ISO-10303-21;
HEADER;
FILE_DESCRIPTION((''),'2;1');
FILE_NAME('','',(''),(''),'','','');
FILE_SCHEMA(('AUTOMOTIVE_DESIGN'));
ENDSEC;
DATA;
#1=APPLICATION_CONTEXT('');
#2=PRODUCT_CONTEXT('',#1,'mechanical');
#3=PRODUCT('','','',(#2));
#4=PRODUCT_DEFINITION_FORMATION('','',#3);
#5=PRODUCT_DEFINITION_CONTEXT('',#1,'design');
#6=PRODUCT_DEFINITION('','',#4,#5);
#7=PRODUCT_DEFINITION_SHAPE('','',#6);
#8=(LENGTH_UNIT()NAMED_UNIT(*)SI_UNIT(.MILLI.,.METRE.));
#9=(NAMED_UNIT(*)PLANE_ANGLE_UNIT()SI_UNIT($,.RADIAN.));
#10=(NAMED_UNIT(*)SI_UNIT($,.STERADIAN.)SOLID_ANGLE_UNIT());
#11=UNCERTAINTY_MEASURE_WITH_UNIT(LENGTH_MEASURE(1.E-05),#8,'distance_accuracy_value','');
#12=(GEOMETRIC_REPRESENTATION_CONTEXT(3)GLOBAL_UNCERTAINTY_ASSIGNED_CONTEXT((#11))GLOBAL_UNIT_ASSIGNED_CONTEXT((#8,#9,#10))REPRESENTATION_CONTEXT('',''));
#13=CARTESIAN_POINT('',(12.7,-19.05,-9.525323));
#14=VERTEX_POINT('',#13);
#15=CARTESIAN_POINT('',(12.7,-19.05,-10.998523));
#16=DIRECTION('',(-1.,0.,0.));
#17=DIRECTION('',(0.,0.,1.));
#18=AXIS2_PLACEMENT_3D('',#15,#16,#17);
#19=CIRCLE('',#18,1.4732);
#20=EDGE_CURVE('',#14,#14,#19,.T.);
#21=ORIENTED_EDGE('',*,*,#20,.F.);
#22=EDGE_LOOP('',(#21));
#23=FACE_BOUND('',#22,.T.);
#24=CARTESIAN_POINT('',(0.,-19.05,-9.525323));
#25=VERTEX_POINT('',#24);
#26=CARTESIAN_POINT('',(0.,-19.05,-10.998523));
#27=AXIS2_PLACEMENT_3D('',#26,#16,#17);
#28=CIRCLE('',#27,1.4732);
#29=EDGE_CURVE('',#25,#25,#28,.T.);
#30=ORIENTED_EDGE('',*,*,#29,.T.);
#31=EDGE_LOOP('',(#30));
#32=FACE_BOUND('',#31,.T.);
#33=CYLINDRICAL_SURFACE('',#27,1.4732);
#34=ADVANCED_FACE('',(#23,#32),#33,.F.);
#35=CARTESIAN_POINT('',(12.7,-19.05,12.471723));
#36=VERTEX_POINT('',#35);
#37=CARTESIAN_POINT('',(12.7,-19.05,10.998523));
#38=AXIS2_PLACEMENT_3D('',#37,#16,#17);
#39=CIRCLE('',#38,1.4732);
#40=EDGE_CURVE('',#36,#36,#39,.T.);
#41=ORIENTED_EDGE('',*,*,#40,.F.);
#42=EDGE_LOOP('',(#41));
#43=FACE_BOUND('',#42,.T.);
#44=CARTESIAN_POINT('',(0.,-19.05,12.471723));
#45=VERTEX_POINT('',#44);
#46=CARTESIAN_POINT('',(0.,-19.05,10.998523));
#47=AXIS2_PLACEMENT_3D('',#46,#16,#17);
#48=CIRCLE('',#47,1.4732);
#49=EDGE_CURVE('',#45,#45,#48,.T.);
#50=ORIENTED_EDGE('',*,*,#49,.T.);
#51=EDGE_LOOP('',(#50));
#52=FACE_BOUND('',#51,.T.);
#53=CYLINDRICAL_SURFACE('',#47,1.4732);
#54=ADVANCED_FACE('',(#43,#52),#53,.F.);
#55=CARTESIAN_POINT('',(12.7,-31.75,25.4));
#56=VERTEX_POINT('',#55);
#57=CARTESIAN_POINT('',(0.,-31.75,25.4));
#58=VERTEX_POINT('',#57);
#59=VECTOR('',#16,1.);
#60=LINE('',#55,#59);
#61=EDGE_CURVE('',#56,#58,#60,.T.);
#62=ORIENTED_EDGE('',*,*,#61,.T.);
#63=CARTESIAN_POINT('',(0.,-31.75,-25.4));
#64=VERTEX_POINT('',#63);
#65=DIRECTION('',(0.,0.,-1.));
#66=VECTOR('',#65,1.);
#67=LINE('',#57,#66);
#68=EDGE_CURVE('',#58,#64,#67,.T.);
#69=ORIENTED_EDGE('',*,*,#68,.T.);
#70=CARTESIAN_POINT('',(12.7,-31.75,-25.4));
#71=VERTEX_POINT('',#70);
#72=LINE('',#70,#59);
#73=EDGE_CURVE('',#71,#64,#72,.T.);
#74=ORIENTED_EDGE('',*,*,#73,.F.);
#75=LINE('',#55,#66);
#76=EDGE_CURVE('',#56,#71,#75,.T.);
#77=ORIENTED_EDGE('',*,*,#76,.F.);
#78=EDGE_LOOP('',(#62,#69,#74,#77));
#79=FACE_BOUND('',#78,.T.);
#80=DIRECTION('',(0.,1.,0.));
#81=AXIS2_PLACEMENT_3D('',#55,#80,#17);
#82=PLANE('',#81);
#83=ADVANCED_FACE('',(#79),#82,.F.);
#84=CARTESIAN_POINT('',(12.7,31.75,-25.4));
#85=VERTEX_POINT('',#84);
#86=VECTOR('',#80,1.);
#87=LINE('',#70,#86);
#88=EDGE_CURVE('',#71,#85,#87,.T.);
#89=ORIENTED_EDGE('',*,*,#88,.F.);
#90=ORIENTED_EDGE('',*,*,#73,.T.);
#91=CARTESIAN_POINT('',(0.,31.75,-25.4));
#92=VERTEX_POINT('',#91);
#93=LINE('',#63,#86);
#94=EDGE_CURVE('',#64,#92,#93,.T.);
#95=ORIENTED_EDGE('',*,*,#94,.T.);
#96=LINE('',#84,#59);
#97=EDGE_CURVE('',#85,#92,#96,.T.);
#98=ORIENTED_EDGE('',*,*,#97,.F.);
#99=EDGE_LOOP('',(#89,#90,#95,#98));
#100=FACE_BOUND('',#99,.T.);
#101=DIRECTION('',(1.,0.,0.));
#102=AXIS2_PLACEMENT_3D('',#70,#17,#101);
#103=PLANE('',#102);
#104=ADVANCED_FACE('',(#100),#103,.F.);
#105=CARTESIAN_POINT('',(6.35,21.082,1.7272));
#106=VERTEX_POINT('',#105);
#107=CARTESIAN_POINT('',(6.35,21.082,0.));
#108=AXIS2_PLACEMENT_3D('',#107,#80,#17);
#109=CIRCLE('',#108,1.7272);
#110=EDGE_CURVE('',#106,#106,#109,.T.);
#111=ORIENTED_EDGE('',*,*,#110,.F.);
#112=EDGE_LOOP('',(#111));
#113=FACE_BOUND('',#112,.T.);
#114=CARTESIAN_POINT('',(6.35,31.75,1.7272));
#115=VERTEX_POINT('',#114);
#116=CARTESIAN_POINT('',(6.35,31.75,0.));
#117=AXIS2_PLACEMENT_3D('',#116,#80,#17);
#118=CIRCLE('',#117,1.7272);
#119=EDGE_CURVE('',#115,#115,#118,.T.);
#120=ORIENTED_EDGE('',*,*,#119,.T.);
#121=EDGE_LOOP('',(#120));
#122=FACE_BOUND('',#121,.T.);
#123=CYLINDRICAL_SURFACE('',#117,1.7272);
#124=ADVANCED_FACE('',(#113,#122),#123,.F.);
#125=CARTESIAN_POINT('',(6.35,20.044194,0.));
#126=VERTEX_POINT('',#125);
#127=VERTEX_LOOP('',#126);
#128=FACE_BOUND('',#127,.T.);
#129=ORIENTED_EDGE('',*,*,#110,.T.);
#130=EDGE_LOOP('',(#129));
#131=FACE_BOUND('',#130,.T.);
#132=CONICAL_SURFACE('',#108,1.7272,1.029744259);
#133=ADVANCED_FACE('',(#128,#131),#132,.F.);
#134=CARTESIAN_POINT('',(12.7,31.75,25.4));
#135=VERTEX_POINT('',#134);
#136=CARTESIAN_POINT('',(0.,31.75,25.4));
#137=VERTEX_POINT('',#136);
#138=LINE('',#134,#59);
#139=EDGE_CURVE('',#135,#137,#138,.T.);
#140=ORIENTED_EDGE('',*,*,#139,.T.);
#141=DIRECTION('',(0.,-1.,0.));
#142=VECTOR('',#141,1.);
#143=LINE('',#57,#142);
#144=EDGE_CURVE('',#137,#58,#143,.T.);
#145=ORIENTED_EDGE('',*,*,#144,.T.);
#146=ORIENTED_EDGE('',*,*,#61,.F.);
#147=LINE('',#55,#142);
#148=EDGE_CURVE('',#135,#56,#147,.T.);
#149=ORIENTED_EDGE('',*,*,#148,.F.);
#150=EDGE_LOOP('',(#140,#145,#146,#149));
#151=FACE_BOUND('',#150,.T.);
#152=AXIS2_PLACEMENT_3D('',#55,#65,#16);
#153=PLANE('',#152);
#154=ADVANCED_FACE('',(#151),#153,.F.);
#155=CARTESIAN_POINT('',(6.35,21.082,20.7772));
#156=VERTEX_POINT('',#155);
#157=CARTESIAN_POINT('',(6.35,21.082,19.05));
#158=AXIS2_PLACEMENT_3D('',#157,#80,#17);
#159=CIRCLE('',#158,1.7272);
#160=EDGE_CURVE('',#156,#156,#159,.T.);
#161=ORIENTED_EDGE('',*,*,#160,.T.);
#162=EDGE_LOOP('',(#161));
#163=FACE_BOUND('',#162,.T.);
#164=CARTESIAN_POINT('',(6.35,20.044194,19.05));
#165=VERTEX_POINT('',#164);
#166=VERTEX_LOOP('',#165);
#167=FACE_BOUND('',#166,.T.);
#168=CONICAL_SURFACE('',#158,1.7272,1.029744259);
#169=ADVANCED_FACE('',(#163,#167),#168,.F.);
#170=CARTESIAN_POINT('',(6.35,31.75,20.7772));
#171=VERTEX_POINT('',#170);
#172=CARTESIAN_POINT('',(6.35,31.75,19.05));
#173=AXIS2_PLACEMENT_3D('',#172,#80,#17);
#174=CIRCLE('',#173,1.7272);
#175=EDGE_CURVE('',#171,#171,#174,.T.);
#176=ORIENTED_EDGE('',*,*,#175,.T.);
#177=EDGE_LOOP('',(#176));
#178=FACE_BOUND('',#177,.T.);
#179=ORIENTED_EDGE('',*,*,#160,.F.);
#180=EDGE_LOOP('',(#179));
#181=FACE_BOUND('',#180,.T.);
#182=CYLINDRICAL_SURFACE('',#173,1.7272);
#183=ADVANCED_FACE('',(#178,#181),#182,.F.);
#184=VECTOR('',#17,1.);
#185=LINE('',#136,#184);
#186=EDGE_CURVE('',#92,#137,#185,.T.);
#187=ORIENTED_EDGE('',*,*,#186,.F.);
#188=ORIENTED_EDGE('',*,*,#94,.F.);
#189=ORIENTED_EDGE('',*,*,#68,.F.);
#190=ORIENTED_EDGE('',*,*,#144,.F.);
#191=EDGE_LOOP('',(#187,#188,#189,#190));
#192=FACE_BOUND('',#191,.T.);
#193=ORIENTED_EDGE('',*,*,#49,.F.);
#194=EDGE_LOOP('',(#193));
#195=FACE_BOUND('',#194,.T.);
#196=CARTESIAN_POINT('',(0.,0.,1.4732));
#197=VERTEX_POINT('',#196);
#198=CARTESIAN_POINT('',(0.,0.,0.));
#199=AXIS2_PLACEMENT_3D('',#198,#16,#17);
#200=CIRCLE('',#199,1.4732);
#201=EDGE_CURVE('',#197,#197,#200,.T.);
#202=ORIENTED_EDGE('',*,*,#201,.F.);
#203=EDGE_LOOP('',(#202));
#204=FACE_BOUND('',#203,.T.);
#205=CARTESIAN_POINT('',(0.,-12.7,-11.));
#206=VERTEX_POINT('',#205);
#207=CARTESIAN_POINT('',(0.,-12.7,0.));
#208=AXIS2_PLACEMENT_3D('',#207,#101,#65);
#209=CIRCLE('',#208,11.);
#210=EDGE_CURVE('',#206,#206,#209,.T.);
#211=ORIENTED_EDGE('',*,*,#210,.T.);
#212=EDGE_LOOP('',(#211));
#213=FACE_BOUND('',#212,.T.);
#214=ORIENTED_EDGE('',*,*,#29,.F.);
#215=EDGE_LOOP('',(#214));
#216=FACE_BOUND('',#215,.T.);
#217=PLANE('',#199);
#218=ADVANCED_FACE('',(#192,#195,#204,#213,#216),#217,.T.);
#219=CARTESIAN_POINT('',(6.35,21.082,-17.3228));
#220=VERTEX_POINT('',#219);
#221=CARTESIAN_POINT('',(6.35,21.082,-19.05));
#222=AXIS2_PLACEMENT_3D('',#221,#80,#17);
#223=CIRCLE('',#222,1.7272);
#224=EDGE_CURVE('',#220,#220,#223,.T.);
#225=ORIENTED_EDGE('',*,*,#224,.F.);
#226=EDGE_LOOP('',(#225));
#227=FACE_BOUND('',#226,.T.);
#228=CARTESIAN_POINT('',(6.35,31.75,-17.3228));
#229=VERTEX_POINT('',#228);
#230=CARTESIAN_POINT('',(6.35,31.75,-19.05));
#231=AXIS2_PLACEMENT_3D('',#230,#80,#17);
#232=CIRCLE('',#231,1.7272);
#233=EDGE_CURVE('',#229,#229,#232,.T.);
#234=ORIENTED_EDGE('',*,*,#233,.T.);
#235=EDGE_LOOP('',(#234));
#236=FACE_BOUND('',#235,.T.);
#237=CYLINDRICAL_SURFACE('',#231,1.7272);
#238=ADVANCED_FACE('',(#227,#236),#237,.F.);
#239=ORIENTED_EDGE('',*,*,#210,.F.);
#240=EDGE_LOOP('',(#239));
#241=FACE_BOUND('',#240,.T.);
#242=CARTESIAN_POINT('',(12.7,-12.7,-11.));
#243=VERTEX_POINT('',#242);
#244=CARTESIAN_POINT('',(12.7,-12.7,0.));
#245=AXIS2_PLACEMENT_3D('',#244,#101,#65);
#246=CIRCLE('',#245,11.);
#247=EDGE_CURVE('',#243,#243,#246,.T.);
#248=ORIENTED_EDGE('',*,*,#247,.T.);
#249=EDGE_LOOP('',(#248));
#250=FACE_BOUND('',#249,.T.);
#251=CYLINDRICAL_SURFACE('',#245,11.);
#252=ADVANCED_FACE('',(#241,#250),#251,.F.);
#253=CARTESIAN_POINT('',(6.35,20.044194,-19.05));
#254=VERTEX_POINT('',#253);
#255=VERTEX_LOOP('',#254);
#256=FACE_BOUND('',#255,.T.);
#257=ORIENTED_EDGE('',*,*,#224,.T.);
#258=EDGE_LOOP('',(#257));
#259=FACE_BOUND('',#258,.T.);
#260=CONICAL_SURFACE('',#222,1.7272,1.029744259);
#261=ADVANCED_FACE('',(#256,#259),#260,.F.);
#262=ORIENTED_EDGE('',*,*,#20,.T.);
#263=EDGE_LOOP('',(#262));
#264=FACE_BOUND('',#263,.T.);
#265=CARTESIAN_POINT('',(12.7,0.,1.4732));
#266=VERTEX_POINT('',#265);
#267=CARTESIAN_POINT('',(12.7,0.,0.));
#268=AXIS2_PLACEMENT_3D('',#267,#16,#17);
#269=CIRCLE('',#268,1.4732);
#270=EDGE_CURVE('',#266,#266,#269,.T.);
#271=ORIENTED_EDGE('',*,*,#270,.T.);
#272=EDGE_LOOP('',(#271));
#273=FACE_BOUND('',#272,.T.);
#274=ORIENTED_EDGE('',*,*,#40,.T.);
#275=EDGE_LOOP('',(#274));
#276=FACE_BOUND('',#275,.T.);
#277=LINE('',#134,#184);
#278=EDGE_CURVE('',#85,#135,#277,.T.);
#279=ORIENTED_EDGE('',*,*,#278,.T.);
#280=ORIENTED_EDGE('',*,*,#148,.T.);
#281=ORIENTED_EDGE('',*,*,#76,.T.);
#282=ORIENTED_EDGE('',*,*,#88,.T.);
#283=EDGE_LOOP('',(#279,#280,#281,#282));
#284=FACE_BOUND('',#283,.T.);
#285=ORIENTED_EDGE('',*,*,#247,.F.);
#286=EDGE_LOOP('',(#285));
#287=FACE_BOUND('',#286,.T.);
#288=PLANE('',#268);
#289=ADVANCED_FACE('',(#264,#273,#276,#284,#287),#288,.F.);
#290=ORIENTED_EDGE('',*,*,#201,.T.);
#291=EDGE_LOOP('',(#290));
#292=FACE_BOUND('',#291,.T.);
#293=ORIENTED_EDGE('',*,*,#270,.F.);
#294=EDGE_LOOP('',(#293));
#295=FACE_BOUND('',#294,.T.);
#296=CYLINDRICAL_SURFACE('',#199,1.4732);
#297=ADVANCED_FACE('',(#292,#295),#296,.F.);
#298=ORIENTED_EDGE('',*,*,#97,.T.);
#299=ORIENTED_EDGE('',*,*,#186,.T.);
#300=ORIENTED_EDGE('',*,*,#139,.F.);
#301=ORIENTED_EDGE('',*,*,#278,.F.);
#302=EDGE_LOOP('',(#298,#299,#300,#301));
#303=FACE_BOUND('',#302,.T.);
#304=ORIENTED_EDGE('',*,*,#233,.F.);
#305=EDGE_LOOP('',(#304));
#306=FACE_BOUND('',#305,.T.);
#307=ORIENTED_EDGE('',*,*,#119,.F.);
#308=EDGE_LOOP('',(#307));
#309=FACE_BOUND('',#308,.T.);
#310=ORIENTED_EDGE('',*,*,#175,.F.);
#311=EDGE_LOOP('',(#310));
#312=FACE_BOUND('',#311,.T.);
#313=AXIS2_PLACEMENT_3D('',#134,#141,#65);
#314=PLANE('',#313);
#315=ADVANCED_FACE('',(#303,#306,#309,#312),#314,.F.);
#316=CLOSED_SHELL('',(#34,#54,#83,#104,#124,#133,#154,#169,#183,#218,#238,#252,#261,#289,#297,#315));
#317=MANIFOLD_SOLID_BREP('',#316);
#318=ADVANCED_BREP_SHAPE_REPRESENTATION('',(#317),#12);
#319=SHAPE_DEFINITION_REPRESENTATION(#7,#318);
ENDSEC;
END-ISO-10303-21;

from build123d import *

# Parameters (mm, degrees)
SKETCH1_W                  = 50.8
SKETCH1_H                  = 63.5
BOSS_EXTRUDE1_DEPTH        = 12.7
F_22_0_22_DIAMETER_HOLE1_D = 22
F_8_32_TAPPED_HOLE1_D      = 3.4544
F_8_32_TAPPED_HOLE1_DEPTH  = 10.668
F_8_32_TAPPED_HOLE1_TIP    = 1.037806461
F_4_CLEARANCE_HOLE1_D      = 2.9464
CIRPATTERN1_COUNT          = 3


with BuildPart() as part:
    # Sketch1 → Boss-Extrude1 (new body)
    with BuildSketch(Plane(origin=(0, 0, 0), x_dir=(0, 0, -1), z_dir=(1, 0, 0))):
        Rectangle(SKETCH1_W, SKETCH1_H)
    extrude(amount=BOSS_EXTRUDE1_DEPTH)

    # Ø22.0 (22) Diameter Hole1 (through all)
    with Locations(Plane(origin=(12.7, 0, 0), x_dir=(0, 0, -1), z_dir=(1, 0, 0))):
        with Locations((0, -12.7)):
            Hole(F_22_0_22_DIAMETER_HOLE1_D / 2)

    # #8-32 Tapped Hole1
    with Locations(Plane(origin=(0, 31.75, 0), x_dir=(1, 0, 0), z_dir=(0, 1, 0))):
        with Locations((6.35, 19.05), (6.35, -19.05), (6.35, 0)):
            Hole(F_8_32_TAPPED_HOLE1_D / 2, depth=F_8_32_TAPPED_HOLE1_DEPTH)
            with Locations((0, 0, -(F_8_32_TAPPED_HOLE1_DEPTH + F_8_32_TAPPED_HOLE1_TIP / 2))):  # 118° drill point
                Cone(0, F_8_32_TAPPED_HOLE1_D / 2, F_8_32_TAPPED_HOLE1_TIP, mode=Mode.SUBTRACT)

    # #4 Clearance Hole1 (through all)
    with Locations(Plane.ZY):
        with Locations((0, 0)):
            f_4_clearance_hole1 = Hole(F_4_CLEARANCE_HOLE1_D / 2)

    # CirPattern1: #4 Clearance Hole1 ×3 about axis
    cirpattern1_axis = Axis((0, -12.7, 0), (1, 0, 0))
    for i in range(1, CIRPATTERN1_COUNT):
        add(f_4_clearance_hole1.rotate(cirpattern1_axis, i * 360 / CIRPATTERN1_COUNT), mode=Mode.SUBTRACT)


solid = part.part
